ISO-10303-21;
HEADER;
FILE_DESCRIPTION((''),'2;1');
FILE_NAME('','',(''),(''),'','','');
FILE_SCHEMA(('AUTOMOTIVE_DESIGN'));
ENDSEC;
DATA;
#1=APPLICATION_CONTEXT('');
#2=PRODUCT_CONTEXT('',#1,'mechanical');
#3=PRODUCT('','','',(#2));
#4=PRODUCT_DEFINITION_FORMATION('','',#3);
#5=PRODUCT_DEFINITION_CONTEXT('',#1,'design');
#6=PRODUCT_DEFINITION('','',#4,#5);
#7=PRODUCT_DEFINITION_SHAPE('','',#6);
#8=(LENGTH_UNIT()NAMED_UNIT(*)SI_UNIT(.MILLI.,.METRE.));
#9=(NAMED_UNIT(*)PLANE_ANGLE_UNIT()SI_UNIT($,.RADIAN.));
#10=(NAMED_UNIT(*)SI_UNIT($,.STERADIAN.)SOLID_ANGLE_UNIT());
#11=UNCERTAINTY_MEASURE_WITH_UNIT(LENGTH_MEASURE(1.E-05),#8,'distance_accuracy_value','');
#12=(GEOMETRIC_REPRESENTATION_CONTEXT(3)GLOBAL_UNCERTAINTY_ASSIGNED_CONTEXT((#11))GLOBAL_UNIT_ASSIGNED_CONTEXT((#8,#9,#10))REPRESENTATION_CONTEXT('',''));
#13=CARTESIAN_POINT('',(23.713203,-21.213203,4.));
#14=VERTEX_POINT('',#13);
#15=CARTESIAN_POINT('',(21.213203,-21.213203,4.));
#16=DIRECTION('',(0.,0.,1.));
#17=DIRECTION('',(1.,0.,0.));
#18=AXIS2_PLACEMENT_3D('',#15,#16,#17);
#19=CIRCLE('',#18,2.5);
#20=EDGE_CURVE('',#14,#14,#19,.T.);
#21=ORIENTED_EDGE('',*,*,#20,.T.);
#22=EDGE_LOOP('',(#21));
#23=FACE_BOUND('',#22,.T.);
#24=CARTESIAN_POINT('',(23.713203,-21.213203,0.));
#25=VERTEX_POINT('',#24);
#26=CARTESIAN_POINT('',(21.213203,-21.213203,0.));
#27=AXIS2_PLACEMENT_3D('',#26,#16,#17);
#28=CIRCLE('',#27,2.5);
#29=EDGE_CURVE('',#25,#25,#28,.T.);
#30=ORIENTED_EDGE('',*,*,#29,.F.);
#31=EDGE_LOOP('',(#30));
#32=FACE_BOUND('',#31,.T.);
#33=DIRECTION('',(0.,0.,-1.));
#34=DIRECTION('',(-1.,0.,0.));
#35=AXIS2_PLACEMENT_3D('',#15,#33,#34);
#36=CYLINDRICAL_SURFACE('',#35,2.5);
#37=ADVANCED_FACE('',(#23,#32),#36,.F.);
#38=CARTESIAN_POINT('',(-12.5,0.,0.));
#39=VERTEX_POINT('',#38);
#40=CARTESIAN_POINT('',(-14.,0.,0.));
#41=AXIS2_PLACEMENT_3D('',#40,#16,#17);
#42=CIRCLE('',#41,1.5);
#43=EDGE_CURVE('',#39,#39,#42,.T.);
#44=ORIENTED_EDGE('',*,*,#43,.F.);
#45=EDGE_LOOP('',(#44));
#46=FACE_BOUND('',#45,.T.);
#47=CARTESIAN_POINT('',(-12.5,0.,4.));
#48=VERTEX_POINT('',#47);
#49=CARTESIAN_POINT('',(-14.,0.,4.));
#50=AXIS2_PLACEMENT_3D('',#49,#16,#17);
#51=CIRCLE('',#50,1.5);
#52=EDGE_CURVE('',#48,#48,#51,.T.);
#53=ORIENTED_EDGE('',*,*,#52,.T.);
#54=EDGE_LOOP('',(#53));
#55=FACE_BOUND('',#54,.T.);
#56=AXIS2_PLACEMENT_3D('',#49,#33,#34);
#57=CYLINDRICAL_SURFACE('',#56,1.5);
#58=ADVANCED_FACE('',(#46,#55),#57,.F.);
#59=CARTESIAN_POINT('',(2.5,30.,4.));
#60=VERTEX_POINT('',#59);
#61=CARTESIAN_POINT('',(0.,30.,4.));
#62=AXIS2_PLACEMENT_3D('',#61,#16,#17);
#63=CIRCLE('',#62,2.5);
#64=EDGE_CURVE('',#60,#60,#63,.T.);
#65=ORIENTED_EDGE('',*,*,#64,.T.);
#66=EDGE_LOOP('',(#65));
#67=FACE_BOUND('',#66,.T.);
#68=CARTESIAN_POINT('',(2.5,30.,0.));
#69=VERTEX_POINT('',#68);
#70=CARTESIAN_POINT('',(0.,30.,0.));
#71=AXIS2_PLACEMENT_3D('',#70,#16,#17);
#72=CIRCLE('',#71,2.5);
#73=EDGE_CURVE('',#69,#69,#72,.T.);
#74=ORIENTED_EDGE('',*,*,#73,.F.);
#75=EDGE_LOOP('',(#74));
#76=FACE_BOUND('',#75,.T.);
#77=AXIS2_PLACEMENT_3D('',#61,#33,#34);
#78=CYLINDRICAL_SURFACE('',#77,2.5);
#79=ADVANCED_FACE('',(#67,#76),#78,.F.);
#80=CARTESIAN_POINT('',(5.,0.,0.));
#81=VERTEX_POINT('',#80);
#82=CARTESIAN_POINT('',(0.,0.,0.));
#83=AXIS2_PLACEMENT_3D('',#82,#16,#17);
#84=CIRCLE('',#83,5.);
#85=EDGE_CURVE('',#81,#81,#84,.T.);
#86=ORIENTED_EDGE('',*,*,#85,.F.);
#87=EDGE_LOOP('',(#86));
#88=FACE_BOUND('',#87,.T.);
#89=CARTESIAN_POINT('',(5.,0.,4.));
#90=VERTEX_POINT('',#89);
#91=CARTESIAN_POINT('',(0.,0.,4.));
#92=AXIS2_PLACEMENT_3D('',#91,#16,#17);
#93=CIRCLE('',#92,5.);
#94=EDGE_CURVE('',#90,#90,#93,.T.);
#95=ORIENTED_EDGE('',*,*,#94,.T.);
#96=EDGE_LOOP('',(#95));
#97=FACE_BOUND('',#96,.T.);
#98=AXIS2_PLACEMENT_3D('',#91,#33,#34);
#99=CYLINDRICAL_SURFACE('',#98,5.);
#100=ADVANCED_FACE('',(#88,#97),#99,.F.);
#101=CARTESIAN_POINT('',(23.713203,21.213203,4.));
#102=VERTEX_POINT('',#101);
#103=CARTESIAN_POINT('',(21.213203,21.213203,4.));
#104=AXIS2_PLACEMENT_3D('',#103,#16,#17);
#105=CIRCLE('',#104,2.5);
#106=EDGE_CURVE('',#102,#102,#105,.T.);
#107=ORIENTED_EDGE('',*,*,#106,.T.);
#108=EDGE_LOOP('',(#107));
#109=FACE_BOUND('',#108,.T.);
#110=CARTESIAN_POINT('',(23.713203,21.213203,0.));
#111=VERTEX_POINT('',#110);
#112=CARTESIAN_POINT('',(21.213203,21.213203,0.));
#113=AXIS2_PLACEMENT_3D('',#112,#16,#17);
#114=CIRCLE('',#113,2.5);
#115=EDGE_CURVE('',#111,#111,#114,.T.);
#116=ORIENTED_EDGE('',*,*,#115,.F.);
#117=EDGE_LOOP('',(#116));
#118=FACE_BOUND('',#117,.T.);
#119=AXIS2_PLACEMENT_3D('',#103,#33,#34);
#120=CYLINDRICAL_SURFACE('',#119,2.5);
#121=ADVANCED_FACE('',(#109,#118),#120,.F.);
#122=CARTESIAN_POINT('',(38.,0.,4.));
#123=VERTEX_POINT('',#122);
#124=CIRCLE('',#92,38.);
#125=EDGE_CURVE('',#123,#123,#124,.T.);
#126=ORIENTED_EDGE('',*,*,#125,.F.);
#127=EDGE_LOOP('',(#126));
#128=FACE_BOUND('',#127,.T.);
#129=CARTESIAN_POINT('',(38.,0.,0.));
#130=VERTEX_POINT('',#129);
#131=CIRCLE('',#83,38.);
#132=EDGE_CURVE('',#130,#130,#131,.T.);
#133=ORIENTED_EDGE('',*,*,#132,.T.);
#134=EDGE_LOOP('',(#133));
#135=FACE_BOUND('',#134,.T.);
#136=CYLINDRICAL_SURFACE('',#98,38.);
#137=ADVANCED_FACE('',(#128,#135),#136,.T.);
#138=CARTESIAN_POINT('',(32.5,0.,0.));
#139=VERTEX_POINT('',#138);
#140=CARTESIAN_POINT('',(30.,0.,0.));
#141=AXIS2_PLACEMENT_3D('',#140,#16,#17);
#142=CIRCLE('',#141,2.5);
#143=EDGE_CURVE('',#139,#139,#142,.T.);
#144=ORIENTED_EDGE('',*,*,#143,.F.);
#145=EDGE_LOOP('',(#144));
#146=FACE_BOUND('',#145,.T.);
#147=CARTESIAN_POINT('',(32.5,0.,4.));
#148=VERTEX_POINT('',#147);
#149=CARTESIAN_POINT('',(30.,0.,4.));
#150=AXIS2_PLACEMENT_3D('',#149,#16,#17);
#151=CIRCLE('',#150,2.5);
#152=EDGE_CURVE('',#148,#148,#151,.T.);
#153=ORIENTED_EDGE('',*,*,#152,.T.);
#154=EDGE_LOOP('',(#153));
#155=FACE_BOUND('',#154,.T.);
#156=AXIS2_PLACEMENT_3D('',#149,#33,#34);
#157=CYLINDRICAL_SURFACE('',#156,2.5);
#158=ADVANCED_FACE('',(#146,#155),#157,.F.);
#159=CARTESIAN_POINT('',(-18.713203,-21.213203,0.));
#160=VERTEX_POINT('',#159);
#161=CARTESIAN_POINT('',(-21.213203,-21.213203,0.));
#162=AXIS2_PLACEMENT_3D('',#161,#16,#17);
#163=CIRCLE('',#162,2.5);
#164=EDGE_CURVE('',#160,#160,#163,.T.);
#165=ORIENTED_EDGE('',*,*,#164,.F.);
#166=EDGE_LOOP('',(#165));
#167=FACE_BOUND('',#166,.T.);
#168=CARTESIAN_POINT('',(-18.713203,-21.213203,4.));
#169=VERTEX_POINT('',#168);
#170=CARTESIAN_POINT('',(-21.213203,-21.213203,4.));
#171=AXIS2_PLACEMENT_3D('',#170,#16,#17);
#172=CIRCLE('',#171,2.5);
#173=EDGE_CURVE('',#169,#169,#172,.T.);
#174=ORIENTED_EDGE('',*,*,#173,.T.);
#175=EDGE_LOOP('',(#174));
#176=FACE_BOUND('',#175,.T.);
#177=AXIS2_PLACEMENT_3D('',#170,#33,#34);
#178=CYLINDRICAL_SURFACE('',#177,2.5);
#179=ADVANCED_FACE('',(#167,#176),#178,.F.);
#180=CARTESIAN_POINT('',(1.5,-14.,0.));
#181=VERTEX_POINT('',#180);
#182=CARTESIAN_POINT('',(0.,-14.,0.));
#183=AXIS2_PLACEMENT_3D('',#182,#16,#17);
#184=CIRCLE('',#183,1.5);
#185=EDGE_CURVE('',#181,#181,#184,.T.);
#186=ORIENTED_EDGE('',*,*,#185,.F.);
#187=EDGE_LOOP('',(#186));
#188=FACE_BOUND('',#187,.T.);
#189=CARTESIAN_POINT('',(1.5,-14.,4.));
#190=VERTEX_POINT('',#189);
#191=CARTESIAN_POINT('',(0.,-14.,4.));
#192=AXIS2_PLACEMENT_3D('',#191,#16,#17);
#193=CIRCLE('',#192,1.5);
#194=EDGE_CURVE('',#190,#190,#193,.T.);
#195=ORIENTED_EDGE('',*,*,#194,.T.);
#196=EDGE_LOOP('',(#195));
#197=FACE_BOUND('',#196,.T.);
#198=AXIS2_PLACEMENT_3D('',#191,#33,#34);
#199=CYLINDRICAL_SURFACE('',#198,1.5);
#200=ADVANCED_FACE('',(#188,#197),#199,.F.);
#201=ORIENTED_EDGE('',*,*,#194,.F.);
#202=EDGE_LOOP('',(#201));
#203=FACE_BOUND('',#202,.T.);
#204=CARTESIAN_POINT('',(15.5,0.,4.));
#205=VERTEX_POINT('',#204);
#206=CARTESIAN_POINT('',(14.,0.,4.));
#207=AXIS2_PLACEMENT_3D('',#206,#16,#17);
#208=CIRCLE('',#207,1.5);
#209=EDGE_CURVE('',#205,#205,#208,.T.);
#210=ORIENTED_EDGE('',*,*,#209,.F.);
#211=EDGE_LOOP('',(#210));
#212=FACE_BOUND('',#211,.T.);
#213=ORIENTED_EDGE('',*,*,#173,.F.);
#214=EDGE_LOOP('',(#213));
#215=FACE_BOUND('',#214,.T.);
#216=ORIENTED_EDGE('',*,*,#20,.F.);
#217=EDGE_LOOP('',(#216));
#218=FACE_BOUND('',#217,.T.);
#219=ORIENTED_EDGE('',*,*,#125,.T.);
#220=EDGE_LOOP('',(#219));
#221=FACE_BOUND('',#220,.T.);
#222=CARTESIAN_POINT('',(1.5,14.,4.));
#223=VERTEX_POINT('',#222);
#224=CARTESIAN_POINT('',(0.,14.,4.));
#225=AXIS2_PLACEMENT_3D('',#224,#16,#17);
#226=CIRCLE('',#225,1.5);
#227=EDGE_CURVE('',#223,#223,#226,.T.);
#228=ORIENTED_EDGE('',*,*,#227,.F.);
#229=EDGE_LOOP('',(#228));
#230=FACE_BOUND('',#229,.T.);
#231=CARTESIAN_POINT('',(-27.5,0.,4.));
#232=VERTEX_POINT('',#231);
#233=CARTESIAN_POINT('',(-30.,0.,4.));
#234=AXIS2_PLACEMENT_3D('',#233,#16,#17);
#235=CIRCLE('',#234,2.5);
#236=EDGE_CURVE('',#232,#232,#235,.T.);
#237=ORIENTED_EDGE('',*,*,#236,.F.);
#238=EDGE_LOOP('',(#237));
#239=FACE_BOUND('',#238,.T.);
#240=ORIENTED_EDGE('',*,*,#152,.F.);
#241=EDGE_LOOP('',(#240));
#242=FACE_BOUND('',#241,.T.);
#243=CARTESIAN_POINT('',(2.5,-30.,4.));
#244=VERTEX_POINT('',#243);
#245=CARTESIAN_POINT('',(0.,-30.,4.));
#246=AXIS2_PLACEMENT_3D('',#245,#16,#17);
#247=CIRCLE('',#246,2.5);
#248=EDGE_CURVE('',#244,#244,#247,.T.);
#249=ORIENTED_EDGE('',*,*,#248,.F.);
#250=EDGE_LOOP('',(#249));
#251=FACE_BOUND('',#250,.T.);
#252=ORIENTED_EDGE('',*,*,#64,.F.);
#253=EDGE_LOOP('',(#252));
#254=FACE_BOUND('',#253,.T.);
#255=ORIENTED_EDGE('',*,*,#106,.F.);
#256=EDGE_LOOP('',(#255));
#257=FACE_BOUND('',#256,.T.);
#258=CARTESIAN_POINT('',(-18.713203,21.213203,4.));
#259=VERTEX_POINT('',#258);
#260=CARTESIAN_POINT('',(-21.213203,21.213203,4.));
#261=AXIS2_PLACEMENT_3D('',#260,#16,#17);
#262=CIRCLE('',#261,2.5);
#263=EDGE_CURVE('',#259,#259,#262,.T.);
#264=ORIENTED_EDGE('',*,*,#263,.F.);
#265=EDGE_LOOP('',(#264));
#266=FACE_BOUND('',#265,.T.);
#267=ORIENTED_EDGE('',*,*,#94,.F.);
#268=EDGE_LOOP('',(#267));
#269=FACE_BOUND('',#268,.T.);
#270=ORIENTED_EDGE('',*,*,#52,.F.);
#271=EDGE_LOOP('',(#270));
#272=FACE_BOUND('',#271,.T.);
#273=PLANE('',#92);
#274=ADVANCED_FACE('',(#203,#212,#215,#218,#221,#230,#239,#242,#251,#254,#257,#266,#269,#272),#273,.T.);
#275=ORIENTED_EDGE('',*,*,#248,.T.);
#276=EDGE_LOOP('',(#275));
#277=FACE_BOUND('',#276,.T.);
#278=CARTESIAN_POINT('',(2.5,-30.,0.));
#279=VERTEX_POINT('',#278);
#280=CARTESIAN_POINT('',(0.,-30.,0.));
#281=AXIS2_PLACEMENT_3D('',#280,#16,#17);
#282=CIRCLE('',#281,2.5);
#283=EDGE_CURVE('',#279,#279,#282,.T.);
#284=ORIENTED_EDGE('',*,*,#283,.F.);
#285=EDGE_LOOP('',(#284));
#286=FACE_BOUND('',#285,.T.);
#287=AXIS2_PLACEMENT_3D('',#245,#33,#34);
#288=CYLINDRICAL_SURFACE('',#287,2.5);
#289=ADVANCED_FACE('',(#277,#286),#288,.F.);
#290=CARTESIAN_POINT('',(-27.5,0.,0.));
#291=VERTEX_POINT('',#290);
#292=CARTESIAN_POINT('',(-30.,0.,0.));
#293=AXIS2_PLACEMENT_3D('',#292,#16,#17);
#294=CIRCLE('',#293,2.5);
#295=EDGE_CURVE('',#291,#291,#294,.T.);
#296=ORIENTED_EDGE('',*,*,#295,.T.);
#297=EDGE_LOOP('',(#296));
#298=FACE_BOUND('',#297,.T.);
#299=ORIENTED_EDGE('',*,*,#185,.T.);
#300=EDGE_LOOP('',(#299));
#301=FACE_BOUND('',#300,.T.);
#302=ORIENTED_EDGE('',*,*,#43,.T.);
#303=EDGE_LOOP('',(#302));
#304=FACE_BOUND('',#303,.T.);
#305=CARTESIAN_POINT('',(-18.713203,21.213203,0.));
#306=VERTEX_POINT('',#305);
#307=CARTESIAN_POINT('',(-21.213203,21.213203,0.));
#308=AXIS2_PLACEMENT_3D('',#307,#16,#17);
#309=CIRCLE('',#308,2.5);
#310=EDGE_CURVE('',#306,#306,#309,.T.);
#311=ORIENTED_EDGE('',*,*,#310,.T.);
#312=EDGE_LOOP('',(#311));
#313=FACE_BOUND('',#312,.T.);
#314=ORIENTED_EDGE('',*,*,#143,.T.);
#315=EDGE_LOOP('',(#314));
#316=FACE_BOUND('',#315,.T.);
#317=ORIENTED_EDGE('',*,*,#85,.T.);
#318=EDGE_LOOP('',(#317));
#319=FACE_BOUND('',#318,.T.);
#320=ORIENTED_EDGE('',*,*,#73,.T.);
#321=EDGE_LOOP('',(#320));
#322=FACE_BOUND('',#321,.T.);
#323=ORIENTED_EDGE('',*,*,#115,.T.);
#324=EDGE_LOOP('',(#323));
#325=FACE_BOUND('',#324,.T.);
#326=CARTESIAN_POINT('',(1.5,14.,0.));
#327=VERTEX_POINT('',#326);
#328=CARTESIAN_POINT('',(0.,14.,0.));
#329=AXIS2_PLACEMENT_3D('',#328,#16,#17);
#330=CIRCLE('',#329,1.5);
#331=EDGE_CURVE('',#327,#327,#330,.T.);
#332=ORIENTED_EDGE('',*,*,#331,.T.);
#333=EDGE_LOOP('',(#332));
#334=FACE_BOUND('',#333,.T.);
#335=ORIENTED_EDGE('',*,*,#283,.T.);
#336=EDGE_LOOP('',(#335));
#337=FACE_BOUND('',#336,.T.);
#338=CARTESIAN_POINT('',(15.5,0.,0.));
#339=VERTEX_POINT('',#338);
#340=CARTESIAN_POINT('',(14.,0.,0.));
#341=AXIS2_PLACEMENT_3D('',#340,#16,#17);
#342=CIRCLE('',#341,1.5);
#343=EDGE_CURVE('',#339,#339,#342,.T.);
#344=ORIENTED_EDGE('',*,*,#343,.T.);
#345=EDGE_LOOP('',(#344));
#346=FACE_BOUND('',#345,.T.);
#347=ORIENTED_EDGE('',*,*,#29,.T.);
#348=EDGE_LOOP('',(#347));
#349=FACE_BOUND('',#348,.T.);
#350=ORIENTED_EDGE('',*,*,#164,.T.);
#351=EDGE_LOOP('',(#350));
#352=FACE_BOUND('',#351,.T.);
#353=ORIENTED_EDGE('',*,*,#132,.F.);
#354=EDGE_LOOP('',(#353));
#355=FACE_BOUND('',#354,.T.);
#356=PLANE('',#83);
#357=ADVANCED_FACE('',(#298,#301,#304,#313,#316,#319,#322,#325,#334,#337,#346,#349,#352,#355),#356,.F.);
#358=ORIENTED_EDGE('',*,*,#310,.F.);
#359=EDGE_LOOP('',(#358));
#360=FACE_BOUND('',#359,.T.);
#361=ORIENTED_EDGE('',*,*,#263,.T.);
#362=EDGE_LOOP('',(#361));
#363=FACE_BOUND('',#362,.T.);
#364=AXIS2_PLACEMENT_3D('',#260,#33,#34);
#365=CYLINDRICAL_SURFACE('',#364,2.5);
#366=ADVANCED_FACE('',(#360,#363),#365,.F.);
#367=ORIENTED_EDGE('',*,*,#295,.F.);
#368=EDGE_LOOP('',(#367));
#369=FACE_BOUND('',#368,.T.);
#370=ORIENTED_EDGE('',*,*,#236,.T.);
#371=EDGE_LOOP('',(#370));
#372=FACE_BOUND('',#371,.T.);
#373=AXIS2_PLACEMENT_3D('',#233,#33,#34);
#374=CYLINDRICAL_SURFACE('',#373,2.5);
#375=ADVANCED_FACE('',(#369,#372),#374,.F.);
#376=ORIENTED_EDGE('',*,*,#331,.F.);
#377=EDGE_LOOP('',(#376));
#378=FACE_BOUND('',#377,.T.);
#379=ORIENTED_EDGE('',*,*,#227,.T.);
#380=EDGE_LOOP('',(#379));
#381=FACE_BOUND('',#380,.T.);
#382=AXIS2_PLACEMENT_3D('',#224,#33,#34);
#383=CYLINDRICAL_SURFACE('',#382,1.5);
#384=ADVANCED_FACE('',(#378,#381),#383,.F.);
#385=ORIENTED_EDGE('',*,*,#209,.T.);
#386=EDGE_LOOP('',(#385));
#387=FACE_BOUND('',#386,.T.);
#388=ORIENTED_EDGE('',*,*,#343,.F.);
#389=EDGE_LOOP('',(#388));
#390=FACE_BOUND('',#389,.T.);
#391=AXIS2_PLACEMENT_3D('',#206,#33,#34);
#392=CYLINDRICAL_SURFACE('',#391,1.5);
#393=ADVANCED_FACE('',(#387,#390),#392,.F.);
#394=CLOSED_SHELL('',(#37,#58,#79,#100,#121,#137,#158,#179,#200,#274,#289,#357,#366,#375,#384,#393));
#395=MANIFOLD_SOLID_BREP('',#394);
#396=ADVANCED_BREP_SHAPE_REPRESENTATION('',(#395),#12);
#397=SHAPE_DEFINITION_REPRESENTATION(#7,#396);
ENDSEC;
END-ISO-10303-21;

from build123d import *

# Parameters (mm, degrees)
SKETCH_1_R      = 38
SKETCH_1_R_2    = 5
SKETCH_1_R_3    = 2.5
SKETCH_1_R_4    = 1.5
EXTRUDE_2_DEPTH = 4


with BuildPart() as part:
    # 草图1 → 凸台-拉伸2 (new body)
    with BuildSketch(Plane.XY):
        Circle(SKETCH_1_R)
        Circle(SKETCH_1_R_2, mode=Mode.SUBTRACT)
        with Locations((0, 30)):
            Circle(SKETCH_1_R_3, mode=Mode.SUBTRACT)
        with Locations((21.213203436, 21.213203436)):
            Circle(SKETCH_1_R_3, mode=Mode.SUBTRACT)
        with Locations((30, 0)):
            Circle(SKETCH_1_R_3, mode=Mode.SUBTRACT)
        with Locations((21.213203436, -21.213203436)):
            Circle(SKETCH_1_R_3, mode=Mode.SUBTRACT)
        with Locations((0, -30)):
            Circle(SKETCH_1_R_3, mode=Mode.SUBTRACT)
        with Locations((-21.213203436, -21.213203436)):
            Circle(SKETCH_1_R_3, mode=Mode.SUBTRACT)
        with Locations((-30, 0)):
            Circle(SKETCH_1_R_3, mode=Mode.SUBTRACT)
        with Locations((-21.213203436, 21.213203436)):
            Circle(SKETCH_1_R_3, mode=Mode.SUBTRACT)
        with Locations((0, 14)):
            Circle(SKETCH_1_R_4, mode=Mode.SUBTRACT)
        with Locations((14, 0)):
            Circle(SKETCH_1_R_4, mode=Mode.SUBTRACT)
        with Locations((0, -14)):
            Circle(SKETCH_1_R_4, mode=Mode.SUBTRACT)
        with Locations((-14, 0)):
            Circle(SKETCH_1_R_4, mode=Mode.SUBTRACT)
    extrude(amount=EXTRUDE_2_DEPTH)


solid = part.part
